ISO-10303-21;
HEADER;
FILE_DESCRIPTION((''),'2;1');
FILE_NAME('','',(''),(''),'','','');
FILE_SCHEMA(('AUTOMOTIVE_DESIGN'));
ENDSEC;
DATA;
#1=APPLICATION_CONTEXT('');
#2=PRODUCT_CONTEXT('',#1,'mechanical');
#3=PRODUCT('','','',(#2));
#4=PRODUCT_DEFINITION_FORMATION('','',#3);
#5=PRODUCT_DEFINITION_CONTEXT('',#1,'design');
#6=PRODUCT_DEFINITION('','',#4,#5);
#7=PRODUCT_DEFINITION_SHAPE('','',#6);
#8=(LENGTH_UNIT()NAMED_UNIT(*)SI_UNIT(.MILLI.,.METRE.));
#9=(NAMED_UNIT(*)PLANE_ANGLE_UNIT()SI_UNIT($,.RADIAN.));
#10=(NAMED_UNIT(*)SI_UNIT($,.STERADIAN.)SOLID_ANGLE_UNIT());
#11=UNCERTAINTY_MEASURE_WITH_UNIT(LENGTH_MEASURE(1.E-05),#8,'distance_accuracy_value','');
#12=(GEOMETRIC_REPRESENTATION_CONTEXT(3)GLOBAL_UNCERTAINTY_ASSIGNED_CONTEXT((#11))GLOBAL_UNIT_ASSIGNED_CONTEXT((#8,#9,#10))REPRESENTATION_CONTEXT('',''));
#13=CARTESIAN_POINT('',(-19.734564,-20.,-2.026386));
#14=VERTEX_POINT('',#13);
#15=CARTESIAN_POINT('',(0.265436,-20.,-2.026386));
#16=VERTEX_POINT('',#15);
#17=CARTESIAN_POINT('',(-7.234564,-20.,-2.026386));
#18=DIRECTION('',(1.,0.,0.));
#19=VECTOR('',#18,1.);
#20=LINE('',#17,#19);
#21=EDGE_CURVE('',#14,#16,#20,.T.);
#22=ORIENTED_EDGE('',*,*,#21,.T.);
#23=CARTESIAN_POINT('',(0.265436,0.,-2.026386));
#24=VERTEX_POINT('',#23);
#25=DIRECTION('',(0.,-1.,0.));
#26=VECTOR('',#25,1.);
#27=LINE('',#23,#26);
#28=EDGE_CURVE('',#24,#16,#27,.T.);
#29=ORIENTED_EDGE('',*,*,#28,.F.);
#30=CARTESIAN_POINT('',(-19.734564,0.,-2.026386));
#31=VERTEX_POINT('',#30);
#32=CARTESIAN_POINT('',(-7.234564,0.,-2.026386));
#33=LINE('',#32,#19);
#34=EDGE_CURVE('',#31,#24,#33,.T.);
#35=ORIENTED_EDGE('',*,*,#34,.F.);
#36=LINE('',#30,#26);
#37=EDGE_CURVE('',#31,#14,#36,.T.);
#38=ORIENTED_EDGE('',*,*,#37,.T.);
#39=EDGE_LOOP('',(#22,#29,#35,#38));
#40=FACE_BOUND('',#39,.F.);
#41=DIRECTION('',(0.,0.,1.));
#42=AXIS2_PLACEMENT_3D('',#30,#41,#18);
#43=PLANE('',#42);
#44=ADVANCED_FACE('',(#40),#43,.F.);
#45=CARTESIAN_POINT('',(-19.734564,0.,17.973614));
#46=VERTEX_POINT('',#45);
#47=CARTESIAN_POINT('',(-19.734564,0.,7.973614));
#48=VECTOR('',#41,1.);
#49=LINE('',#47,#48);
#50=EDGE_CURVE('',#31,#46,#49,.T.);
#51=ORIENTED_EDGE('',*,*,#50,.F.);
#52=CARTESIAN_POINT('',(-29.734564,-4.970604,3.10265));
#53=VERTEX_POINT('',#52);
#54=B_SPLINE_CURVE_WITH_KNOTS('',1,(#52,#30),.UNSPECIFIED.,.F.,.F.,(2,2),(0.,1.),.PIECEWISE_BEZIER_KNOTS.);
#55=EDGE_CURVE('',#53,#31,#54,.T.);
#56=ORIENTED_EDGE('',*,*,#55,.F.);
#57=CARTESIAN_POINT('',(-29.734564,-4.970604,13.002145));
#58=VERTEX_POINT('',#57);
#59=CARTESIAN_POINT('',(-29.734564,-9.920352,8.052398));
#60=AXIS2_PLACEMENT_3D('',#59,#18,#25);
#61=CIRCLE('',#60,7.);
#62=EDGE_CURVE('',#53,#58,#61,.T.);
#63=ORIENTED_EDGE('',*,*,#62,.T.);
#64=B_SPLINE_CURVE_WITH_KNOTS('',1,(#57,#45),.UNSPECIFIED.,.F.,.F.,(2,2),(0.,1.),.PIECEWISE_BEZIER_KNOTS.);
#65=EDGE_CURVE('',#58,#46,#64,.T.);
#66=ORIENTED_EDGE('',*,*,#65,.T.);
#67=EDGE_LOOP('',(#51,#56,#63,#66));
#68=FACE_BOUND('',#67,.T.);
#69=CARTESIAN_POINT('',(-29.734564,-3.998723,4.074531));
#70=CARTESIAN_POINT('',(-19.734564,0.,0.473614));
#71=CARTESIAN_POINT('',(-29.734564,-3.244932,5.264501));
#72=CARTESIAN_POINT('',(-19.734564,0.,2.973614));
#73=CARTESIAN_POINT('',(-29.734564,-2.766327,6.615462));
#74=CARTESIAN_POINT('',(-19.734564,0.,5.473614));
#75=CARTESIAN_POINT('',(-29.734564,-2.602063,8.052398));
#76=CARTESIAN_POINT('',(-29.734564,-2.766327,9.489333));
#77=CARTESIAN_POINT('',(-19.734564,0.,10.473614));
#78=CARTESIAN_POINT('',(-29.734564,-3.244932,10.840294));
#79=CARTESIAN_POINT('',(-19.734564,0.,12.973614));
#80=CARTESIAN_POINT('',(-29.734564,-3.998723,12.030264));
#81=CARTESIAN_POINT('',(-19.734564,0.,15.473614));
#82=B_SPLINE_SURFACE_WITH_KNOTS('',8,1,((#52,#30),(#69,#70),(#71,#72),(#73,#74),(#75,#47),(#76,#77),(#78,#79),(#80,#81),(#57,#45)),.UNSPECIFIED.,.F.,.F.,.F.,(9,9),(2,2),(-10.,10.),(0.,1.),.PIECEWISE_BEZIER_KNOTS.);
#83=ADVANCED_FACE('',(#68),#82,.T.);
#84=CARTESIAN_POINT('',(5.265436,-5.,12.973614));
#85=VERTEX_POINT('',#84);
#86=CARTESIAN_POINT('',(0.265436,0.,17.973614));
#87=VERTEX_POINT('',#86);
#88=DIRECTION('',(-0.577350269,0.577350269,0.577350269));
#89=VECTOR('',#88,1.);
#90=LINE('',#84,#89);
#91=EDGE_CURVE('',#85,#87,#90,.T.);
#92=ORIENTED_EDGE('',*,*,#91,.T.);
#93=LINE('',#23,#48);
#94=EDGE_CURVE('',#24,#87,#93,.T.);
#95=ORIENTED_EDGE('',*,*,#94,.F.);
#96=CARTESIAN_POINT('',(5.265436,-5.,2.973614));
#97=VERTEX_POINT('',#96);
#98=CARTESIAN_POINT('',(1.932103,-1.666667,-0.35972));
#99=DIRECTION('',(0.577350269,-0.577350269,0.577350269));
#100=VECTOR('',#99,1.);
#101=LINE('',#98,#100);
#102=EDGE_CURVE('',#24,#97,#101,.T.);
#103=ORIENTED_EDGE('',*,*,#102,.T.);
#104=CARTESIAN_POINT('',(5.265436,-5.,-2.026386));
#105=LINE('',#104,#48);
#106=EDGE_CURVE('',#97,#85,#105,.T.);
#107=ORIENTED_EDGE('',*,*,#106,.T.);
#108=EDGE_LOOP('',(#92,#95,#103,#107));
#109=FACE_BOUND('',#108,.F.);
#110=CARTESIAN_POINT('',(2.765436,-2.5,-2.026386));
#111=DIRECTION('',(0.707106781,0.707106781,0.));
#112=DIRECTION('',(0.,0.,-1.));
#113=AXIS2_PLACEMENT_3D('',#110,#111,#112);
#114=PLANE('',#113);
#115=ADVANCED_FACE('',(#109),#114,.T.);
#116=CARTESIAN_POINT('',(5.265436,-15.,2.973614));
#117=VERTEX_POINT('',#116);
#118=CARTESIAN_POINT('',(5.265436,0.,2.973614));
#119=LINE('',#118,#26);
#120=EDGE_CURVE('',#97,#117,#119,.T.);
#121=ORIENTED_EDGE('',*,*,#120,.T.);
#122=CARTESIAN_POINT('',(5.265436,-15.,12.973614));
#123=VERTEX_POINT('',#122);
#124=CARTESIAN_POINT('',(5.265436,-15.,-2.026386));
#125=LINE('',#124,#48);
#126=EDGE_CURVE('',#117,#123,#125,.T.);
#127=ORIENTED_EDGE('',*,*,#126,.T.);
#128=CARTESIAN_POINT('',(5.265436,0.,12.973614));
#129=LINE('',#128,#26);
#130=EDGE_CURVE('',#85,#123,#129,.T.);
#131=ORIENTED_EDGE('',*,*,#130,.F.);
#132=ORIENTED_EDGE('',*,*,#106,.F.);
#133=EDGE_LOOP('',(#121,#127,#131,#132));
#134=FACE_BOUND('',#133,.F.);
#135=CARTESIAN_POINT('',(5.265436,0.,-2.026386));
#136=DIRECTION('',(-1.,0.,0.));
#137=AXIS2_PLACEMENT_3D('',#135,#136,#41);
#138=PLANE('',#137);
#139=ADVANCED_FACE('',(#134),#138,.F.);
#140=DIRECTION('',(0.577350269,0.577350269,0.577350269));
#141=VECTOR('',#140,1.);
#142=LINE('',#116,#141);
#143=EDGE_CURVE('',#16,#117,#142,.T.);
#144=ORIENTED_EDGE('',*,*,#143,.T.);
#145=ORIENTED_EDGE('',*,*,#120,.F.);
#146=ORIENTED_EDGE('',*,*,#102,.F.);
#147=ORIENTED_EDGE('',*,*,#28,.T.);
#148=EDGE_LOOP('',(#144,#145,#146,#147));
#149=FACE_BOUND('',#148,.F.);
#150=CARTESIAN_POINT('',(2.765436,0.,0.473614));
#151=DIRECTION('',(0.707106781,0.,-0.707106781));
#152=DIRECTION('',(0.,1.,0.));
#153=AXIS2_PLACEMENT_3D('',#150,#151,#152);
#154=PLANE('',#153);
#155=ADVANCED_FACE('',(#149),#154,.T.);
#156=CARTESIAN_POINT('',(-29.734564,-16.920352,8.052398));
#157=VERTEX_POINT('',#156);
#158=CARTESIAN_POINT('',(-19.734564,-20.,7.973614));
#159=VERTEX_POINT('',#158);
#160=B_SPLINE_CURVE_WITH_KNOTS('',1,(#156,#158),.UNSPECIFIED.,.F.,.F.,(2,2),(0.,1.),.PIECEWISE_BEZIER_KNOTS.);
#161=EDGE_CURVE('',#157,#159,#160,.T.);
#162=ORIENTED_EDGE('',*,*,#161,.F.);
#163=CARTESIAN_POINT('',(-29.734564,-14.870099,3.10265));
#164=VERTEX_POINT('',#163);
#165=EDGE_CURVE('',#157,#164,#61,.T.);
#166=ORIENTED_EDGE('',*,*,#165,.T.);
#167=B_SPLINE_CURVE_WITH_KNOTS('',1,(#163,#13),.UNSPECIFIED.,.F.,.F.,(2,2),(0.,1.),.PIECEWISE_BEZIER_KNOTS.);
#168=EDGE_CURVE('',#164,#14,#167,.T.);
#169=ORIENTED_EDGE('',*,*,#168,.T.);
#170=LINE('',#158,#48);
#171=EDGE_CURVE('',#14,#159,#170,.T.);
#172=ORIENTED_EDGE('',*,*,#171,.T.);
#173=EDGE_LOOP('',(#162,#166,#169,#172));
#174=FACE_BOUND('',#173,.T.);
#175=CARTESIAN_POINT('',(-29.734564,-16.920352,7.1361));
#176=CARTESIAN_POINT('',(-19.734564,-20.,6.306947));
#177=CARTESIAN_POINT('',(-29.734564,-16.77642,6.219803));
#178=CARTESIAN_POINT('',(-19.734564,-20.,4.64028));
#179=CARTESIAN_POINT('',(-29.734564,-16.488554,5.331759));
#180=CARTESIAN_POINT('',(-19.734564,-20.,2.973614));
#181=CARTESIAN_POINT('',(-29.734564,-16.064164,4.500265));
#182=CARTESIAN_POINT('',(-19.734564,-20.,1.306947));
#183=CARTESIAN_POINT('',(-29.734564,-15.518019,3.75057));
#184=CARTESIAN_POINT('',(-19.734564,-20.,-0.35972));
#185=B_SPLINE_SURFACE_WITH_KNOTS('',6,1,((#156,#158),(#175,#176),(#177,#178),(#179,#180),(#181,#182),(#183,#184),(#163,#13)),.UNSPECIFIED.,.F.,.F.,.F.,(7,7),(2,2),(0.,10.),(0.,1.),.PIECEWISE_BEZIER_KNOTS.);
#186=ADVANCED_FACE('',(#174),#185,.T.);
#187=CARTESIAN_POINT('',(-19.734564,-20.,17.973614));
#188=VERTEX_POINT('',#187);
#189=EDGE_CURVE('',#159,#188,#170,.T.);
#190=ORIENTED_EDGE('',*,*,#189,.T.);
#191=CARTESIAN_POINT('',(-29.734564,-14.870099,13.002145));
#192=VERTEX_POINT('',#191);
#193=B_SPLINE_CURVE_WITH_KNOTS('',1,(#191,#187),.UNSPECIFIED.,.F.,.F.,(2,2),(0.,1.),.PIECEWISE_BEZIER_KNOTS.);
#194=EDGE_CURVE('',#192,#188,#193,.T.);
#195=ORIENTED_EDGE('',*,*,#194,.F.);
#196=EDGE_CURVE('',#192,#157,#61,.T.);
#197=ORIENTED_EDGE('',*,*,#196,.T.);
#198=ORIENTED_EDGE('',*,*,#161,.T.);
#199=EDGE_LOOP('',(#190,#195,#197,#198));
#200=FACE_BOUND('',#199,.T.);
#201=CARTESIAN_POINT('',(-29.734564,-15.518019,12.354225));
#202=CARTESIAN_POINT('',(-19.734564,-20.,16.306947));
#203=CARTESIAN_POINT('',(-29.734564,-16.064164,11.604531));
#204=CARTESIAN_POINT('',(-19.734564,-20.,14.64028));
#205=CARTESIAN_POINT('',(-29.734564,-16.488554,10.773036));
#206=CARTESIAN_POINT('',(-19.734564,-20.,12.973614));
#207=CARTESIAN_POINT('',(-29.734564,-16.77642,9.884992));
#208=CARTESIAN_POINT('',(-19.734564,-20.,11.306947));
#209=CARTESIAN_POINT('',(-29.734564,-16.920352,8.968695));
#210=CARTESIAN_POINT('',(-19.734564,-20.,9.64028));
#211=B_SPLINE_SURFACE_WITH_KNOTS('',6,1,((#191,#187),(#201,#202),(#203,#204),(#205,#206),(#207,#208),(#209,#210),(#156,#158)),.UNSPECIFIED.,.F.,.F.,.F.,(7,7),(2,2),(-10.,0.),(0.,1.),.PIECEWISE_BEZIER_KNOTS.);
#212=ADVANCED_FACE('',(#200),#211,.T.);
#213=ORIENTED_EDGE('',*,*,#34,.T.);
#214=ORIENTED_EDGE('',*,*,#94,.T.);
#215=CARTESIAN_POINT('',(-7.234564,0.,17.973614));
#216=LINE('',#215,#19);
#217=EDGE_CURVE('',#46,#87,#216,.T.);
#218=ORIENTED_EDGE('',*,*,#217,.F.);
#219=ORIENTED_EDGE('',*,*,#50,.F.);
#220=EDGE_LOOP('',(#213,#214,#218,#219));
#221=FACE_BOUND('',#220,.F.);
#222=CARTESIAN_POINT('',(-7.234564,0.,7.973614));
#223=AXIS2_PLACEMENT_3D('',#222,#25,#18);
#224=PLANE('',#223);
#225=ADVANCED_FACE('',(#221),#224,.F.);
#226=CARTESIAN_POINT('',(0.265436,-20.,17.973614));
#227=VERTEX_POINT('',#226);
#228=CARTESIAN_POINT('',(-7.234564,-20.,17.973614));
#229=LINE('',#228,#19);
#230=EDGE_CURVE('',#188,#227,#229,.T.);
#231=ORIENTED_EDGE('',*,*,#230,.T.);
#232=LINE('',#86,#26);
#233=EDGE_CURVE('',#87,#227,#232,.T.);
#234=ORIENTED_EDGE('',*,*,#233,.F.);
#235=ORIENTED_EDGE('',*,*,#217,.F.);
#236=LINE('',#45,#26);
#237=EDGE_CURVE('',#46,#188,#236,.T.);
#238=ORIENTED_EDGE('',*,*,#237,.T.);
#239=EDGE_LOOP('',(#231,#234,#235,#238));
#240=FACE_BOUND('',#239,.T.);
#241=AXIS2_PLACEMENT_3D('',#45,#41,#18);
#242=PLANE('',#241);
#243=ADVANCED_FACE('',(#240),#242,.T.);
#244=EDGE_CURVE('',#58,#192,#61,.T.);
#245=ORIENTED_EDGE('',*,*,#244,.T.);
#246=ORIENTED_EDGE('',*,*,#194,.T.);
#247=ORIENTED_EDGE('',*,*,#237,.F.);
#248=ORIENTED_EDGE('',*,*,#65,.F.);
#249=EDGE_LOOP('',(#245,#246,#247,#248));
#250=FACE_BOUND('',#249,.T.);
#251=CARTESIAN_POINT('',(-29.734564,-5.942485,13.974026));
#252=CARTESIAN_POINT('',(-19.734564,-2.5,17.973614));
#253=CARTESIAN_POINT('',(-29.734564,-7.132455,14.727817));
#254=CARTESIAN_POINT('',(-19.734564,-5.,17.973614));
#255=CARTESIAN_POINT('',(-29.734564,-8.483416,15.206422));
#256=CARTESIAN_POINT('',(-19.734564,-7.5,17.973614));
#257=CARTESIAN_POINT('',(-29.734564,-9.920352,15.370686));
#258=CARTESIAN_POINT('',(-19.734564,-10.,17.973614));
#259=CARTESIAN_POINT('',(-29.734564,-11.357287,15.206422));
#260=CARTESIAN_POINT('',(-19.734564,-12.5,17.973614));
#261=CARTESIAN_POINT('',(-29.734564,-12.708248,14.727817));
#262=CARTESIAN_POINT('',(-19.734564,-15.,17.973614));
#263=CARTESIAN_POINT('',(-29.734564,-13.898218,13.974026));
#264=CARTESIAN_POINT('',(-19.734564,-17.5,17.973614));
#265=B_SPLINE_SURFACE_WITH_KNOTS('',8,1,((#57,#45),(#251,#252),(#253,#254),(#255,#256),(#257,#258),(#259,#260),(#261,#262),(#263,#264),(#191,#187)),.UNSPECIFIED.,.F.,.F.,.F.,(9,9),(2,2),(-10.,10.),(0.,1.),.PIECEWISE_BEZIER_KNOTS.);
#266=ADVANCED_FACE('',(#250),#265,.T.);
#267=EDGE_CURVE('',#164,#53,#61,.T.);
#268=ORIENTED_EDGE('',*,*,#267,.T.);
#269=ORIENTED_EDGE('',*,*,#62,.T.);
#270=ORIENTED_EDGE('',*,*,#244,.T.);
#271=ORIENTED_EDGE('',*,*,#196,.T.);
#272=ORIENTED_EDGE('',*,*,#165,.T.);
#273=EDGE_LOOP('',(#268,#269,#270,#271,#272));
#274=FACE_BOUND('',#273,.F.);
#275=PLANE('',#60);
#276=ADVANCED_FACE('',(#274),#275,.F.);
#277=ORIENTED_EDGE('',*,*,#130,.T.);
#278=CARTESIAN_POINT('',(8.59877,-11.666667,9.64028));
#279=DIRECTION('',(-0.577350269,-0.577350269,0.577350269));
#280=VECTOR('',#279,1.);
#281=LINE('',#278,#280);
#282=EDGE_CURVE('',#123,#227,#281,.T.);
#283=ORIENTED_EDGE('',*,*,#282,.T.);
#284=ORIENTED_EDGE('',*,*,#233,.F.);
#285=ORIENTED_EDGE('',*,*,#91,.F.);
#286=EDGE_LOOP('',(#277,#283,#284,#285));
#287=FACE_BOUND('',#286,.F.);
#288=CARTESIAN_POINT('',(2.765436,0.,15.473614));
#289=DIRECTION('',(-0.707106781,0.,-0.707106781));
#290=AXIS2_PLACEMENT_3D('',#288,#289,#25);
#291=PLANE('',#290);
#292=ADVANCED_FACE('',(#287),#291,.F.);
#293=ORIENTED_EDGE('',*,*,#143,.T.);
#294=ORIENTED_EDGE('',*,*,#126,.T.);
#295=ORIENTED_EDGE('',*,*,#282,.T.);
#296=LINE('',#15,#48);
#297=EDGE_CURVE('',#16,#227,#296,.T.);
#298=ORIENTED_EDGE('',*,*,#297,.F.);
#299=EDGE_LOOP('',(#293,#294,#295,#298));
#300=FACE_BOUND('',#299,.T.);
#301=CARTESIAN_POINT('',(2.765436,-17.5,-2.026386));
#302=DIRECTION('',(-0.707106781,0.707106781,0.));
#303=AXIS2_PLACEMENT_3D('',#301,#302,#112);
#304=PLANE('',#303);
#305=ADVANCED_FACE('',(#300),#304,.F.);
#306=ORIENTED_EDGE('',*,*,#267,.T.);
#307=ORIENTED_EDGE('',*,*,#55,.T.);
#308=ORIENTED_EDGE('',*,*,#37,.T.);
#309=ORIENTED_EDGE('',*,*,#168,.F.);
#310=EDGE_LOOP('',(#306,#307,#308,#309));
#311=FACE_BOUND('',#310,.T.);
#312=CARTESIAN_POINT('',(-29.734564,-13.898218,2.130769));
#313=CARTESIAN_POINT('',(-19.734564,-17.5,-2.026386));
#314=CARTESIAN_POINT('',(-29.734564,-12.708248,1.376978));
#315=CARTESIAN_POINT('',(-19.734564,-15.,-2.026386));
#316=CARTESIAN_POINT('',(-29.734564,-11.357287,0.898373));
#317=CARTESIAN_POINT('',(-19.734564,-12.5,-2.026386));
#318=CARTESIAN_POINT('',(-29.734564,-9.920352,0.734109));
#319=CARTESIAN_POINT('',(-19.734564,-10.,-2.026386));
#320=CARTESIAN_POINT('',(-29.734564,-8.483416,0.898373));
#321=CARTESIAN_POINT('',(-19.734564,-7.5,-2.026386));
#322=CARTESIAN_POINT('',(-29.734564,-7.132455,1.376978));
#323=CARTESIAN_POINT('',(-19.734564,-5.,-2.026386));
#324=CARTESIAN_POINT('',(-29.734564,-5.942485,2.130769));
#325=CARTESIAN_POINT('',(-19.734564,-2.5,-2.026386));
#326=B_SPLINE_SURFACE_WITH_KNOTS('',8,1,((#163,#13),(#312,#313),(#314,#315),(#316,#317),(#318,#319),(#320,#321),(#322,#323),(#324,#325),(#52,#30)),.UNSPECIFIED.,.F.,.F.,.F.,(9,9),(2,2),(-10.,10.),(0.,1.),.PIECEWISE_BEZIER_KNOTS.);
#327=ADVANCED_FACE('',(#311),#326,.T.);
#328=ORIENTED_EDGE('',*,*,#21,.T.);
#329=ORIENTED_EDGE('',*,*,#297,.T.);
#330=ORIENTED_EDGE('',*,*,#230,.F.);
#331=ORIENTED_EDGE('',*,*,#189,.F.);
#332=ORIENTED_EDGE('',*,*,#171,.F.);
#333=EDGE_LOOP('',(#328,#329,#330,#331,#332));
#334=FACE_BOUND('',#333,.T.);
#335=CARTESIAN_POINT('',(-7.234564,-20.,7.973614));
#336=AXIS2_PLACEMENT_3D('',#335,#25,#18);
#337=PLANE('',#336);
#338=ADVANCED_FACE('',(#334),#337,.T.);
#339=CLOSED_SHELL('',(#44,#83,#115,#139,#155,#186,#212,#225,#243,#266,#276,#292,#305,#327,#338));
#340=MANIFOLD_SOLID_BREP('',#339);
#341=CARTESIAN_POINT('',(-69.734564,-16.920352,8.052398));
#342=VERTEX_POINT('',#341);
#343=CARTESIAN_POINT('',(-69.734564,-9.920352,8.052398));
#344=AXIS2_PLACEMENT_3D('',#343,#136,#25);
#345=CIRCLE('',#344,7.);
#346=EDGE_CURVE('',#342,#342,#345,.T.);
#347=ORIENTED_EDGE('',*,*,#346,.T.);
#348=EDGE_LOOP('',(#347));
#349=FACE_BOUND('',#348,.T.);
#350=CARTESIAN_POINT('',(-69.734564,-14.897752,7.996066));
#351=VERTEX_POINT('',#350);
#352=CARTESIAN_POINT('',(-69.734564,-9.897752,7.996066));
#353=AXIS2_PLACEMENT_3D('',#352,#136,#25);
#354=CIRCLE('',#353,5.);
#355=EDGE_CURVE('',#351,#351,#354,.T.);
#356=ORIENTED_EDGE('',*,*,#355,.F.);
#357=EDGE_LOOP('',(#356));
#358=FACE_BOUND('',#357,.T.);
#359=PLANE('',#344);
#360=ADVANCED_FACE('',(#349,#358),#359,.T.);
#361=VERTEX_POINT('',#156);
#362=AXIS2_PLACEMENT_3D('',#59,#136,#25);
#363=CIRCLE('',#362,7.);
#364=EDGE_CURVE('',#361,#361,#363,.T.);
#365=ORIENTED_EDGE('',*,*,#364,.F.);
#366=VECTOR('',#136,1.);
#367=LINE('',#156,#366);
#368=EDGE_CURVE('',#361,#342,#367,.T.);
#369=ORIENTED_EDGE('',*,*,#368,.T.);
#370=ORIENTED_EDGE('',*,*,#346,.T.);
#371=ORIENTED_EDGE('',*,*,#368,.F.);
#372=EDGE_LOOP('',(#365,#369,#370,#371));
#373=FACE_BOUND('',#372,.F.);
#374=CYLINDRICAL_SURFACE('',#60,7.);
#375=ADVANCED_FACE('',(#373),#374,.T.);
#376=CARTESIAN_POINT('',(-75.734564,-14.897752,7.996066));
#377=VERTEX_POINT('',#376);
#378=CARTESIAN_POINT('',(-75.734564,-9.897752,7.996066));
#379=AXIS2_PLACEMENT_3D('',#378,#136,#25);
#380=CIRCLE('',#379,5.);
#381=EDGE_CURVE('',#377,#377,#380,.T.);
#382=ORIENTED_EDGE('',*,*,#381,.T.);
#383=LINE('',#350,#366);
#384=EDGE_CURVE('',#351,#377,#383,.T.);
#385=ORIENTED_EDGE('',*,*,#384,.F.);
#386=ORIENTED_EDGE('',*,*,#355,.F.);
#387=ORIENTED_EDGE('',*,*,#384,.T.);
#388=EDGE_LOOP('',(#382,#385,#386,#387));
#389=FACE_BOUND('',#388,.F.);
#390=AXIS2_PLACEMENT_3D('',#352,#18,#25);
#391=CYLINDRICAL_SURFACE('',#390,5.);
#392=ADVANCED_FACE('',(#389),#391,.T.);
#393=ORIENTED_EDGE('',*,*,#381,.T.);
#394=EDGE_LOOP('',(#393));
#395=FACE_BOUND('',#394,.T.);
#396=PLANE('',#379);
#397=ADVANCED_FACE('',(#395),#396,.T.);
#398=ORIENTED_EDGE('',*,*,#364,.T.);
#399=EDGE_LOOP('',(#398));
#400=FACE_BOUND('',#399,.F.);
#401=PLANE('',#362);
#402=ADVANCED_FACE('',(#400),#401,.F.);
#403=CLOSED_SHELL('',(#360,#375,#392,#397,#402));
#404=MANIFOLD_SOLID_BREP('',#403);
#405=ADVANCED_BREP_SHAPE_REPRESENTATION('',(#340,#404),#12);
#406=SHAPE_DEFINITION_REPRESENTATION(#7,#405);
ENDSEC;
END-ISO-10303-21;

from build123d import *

# Parameters (mm, degrees)
F0_W      = 25
F0_H      = 20
F1_DEPTH  = 20
F2_SIZE   = 5
F4_R      = 7
F5_DEPTH  = 40
F5_FACE_R = 7
F1_FACE_W = 20
F1_FACE_H = 20
F7_R      = 5
F8_DEPTH  = 6


with BuildPart() as f1:
    # F0 (on Front) → F1 (new body)
    with BuildSketch(Plane.XZ):
        with Locations((-7.2345635854, 7.9736135416)):
            Rectangle(F0_W, F0_H)
    extrude(amount=F1_DEPTH)

    # F2
    f2_edges = [f1.edges().sort_by_distance(p)[0] for p in [
        (5.265436, -10, -2.026386),
        (5.265436, -10, 17.973614),
        (5.265436, 0, 7.973614),
        (5.265436, -20, 7.973614),
    ]]
    chamfer(f2_edges, length=F2_SIZE)

    # F5_face (on face) → F6 section 0
    with BuildSketch(Plane(origin=(-29.7345635854, -9.920351565, 8.0523975194), x_dir=(0, -1, 0), z_dir=(1, 0, 0))):
        Circle(F5_FACE_R)
    # F1_face (on face) → F6 section 1
    with BuildSketch(Plane(origin=(-19.7345635854, -10, 7.9736135416), x_dir=(0, -1, 0), z_dir=(-1, 0, 0))):
        Rectangle(F1_FACE_W, F1_FACE_H)
    loft()


with BuildPart() as f5:
    # F4 (on offset) → F5 (new body)
    with BuildSketch(Plane(origin=(-29.7345635854, 0, 0), x_dir=(0, -1, 0), z_dir=(-1, 0, 0))):
        with Locations((9.920351565, 8.0523975194)):
            Circle(F4_R)
    extrude(amount=F5_DEPTH)

    # F7 (on face) → F8 (join)
    with BuildSketch(Plane(origin=(-69.7345635854, 0, 0), x_dir=(0, -1, 0), z_dir=(-1, 0, 0))):
        with Locations((9.8977517168, 7.9960664734)):
            Circle(F7_R)
    extrude(amount=F8_DEPTH)


solid = Compound([f1.part, f5.part])
